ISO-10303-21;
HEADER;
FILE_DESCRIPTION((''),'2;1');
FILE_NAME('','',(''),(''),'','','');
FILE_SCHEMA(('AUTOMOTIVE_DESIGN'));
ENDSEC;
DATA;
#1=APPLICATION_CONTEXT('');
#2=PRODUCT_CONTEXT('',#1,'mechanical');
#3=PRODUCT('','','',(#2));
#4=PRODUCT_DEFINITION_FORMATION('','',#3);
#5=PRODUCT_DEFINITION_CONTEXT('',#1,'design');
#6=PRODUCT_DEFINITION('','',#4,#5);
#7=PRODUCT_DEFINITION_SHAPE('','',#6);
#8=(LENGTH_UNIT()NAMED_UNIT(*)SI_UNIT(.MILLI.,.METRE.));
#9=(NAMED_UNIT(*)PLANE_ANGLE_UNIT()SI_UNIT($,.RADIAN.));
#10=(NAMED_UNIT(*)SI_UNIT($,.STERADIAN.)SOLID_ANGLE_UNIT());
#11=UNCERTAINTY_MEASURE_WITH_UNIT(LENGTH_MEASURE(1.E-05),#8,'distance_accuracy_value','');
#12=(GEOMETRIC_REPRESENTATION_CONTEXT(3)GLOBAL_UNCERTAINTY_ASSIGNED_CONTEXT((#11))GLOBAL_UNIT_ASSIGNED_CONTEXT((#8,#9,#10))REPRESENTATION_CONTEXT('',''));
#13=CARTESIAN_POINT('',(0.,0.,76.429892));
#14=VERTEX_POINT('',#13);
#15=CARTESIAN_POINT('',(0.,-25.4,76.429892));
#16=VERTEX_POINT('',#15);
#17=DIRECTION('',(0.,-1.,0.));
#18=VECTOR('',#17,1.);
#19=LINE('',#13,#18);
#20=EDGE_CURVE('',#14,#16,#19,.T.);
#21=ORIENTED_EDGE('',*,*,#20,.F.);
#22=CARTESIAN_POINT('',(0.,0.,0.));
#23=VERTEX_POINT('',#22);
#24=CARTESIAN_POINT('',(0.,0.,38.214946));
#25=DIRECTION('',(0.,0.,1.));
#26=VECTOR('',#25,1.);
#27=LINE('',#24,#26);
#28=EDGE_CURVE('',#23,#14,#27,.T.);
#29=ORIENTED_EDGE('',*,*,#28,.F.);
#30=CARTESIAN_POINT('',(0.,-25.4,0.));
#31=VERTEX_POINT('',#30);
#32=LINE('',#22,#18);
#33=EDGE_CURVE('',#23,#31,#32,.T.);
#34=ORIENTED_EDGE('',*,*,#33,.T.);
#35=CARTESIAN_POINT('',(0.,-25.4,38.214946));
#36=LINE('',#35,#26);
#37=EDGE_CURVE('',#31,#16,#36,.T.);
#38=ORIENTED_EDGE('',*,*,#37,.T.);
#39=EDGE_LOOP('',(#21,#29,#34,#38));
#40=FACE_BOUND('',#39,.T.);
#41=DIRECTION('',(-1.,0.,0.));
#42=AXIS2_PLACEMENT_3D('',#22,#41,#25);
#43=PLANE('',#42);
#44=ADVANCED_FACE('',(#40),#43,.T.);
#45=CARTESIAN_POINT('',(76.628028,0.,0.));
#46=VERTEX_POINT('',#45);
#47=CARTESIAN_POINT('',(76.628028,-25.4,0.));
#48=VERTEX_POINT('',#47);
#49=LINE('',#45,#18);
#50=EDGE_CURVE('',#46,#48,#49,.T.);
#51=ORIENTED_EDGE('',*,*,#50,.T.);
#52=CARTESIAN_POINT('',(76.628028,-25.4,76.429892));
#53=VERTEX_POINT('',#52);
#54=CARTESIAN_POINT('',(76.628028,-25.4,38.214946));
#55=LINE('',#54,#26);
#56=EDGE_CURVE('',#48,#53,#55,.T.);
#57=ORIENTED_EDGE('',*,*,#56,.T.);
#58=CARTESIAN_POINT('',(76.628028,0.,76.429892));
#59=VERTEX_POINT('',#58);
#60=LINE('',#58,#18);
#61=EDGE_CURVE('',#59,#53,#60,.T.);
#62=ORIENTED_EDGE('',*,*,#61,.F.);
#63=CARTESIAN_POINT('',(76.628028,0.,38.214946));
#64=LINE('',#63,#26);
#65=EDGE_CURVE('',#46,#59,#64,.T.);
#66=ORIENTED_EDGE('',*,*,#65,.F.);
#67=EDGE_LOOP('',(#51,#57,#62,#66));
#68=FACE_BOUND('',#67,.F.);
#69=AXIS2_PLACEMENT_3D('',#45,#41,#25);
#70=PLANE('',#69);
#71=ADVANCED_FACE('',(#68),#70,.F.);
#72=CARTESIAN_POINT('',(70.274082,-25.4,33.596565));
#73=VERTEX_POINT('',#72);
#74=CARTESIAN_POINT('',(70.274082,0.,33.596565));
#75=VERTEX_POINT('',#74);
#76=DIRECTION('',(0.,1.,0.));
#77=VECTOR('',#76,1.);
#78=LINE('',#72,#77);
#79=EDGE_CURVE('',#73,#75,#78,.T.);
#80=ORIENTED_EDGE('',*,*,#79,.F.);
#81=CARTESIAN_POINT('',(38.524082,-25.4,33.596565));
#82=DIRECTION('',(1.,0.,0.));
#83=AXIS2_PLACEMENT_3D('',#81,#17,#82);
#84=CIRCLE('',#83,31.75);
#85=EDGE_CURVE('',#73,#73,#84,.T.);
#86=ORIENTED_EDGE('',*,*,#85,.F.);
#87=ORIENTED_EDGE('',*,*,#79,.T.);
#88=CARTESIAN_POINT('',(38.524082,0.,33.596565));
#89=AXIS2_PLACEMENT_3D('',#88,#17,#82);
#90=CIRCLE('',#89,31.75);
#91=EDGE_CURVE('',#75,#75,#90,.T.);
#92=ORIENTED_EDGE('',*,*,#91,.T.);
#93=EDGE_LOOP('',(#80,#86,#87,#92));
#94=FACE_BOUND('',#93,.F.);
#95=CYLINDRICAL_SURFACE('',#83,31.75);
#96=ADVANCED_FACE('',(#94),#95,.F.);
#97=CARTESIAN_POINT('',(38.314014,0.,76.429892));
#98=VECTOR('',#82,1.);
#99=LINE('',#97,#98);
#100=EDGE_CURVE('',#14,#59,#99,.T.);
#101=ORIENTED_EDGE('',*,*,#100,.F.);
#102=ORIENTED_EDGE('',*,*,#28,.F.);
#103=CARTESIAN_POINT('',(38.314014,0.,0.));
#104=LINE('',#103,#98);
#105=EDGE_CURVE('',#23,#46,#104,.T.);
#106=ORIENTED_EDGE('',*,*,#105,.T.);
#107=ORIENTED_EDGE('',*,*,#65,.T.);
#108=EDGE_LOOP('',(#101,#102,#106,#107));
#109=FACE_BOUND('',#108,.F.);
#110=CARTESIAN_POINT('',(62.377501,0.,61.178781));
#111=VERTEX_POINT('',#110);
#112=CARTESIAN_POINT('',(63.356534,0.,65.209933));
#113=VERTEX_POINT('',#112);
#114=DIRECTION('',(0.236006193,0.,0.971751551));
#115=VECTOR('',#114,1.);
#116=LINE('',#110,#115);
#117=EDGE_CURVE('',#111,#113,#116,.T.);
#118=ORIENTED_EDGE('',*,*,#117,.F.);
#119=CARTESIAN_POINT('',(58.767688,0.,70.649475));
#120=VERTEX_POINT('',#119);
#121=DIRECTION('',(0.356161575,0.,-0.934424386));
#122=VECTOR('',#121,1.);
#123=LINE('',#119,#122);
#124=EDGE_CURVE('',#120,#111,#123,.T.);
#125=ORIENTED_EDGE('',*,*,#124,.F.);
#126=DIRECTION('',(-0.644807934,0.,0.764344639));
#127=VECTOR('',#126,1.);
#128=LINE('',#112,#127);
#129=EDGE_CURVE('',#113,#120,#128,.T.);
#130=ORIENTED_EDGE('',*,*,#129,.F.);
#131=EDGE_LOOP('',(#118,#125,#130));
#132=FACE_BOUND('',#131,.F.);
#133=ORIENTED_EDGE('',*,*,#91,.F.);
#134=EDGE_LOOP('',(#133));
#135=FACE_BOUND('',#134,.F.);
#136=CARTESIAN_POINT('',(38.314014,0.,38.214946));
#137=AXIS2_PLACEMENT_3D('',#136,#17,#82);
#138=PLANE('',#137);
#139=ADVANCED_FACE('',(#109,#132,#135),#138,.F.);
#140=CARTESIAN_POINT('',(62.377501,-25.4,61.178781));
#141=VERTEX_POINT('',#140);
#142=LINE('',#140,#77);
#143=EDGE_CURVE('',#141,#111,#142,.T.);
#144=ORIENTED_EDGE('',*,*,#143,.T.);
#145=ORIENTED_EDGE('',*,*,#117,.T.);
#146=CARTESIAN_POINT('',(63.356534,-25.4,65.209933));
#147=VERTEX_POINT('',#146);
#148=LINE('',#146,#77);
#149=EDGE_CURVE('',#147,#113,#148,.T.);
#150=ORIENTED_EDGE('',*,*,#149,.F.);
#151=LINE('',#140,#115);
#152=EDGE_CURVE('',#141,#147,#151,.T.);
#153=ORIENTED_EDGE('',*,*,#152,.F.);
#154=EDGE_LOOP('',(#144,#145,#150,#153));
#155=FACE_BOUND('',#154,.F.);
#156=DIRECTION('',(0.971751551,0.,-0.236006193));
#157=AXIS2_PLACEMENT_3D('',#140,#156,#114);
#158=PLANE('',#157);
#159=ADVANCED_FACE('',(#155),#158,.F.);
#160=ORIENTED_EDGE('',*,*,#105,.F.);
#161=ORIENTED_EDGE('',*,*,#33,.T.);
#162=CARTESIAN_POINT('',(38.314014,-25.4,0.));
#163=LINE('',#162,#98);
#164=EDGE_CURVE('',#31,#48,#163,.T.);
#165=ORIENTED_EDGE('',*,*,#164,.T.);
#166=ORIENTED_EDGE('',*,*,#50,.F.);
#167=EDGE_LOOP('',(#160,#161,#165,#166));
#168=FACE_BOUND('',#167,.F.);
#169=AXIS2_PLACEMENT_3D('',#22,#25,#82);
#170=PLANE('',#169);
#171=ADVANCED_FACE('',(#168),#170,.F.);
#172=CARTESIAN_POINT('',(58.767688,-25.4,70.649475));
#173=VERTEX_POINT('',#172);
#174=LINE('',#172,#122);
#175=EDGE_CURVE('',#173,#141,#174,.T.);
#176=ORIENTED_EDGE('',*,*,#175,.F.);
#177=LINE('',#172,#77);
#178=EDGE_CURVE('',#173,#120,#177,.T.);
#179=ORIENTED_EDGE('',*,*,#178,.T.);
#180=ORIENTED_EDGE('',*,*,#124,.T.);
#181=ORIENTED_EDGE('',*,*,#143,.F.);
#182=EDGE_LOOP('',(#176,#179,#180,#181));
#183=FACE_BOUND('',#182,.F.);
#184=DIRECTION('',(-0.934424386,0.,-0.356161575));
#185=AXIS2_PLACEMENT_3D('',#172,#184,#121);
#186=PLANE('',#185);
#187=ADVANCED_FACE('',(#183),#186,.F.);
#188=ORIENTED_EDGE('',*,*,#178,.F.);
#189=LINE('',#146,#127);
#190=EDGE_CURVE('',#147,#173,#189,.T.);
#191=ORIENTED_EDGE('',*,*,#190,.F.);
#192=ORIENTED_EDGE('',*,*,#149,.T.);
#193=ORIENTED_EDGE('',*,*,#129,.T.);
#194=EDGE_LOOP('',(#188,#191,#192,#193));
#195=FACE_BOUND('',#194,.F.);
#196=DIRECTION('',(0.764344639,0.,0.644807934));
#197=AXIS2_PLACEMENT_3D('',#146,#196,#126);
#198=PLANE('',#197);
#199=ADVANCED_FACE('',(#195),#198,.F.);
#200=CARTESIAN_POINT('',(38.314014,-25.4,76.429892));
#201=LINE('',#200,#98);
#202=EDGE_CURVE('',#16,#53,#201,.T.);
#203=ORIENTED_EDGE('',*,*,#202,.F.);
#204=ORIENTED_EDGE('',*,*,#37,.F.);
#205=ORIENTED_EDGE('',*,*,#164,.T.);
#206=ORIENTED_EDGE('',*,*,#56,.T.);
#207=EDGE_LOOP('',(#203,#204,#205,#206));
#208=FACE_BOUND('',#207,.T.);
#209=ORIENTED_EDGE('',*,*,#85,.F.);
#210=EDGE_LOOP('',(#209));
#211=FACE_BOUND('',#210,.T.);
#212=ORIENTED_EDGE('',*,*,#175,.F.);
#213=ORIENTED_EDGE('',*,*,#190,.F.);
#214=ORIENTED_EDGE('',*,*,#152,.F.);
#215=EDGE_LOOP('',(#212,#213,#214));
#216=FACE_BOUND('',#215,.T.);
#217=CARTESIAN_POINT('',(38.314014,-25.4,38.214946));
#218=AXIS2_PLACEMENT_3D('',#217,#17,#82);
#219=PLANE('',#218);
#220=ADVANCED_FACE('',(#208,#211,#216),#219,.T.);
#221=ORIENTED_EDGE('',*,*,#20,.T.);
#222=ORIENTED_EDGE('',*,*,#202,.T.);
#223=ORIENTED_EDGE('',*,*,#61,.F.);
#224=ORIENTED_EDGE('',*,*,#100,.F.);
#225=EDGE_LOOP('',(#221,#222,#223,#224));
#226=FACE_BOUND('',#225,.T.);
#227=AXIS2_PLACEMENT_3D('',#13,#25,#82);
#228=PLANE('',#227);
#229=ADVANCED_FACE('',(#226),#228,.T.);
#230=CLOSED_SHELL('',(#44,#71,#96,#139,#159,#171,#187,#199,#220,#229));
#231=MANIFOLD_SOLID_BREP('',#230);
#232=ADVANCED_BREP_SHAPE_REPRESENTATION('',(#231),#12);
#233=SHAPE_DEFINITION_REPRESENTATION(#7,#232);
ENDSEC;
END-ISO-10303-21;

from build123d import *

# Parameters (mm, degrees)
F0_W     = 76.628029
F0_H     = 76.429892
F1_DEPTH = 25.4
F2_R     = 31.75
F3_DEPTH = 25.401
F5_DEPTH = 25.4


with BuildPart() as f1:
    # F0 (on Front) → F1 (new body)
    with BuildSketch(Plane.XZ):
        with Locations((38.314014, 38.214946)):
            Rectangle(F0_W, F0_H)
    extrude(amount=F1_DEPTH)

    # F2 (on face) → F3 (cut, through all)
    with BuildSketch(Plane.XZ.offset(25.4)):
        with Locations((38.524082, 33.596565)):
            Circle(F2_R)
    extrude(amount=-F3_DEPTH, mode=Mode.SUBTRACT)

    # F4 (on face) → F5 (cut)
    with BuildSketch(Plane.XZ.offset(25.4)):
        Polygon((63.356534, 65.209933), (58.767688, 70.649475), (62.377501, 61.178781), align=None)
    extrude(amount=-F5_DEPTH, mode=Mode.SUBTRACT)


solid = f1.part
